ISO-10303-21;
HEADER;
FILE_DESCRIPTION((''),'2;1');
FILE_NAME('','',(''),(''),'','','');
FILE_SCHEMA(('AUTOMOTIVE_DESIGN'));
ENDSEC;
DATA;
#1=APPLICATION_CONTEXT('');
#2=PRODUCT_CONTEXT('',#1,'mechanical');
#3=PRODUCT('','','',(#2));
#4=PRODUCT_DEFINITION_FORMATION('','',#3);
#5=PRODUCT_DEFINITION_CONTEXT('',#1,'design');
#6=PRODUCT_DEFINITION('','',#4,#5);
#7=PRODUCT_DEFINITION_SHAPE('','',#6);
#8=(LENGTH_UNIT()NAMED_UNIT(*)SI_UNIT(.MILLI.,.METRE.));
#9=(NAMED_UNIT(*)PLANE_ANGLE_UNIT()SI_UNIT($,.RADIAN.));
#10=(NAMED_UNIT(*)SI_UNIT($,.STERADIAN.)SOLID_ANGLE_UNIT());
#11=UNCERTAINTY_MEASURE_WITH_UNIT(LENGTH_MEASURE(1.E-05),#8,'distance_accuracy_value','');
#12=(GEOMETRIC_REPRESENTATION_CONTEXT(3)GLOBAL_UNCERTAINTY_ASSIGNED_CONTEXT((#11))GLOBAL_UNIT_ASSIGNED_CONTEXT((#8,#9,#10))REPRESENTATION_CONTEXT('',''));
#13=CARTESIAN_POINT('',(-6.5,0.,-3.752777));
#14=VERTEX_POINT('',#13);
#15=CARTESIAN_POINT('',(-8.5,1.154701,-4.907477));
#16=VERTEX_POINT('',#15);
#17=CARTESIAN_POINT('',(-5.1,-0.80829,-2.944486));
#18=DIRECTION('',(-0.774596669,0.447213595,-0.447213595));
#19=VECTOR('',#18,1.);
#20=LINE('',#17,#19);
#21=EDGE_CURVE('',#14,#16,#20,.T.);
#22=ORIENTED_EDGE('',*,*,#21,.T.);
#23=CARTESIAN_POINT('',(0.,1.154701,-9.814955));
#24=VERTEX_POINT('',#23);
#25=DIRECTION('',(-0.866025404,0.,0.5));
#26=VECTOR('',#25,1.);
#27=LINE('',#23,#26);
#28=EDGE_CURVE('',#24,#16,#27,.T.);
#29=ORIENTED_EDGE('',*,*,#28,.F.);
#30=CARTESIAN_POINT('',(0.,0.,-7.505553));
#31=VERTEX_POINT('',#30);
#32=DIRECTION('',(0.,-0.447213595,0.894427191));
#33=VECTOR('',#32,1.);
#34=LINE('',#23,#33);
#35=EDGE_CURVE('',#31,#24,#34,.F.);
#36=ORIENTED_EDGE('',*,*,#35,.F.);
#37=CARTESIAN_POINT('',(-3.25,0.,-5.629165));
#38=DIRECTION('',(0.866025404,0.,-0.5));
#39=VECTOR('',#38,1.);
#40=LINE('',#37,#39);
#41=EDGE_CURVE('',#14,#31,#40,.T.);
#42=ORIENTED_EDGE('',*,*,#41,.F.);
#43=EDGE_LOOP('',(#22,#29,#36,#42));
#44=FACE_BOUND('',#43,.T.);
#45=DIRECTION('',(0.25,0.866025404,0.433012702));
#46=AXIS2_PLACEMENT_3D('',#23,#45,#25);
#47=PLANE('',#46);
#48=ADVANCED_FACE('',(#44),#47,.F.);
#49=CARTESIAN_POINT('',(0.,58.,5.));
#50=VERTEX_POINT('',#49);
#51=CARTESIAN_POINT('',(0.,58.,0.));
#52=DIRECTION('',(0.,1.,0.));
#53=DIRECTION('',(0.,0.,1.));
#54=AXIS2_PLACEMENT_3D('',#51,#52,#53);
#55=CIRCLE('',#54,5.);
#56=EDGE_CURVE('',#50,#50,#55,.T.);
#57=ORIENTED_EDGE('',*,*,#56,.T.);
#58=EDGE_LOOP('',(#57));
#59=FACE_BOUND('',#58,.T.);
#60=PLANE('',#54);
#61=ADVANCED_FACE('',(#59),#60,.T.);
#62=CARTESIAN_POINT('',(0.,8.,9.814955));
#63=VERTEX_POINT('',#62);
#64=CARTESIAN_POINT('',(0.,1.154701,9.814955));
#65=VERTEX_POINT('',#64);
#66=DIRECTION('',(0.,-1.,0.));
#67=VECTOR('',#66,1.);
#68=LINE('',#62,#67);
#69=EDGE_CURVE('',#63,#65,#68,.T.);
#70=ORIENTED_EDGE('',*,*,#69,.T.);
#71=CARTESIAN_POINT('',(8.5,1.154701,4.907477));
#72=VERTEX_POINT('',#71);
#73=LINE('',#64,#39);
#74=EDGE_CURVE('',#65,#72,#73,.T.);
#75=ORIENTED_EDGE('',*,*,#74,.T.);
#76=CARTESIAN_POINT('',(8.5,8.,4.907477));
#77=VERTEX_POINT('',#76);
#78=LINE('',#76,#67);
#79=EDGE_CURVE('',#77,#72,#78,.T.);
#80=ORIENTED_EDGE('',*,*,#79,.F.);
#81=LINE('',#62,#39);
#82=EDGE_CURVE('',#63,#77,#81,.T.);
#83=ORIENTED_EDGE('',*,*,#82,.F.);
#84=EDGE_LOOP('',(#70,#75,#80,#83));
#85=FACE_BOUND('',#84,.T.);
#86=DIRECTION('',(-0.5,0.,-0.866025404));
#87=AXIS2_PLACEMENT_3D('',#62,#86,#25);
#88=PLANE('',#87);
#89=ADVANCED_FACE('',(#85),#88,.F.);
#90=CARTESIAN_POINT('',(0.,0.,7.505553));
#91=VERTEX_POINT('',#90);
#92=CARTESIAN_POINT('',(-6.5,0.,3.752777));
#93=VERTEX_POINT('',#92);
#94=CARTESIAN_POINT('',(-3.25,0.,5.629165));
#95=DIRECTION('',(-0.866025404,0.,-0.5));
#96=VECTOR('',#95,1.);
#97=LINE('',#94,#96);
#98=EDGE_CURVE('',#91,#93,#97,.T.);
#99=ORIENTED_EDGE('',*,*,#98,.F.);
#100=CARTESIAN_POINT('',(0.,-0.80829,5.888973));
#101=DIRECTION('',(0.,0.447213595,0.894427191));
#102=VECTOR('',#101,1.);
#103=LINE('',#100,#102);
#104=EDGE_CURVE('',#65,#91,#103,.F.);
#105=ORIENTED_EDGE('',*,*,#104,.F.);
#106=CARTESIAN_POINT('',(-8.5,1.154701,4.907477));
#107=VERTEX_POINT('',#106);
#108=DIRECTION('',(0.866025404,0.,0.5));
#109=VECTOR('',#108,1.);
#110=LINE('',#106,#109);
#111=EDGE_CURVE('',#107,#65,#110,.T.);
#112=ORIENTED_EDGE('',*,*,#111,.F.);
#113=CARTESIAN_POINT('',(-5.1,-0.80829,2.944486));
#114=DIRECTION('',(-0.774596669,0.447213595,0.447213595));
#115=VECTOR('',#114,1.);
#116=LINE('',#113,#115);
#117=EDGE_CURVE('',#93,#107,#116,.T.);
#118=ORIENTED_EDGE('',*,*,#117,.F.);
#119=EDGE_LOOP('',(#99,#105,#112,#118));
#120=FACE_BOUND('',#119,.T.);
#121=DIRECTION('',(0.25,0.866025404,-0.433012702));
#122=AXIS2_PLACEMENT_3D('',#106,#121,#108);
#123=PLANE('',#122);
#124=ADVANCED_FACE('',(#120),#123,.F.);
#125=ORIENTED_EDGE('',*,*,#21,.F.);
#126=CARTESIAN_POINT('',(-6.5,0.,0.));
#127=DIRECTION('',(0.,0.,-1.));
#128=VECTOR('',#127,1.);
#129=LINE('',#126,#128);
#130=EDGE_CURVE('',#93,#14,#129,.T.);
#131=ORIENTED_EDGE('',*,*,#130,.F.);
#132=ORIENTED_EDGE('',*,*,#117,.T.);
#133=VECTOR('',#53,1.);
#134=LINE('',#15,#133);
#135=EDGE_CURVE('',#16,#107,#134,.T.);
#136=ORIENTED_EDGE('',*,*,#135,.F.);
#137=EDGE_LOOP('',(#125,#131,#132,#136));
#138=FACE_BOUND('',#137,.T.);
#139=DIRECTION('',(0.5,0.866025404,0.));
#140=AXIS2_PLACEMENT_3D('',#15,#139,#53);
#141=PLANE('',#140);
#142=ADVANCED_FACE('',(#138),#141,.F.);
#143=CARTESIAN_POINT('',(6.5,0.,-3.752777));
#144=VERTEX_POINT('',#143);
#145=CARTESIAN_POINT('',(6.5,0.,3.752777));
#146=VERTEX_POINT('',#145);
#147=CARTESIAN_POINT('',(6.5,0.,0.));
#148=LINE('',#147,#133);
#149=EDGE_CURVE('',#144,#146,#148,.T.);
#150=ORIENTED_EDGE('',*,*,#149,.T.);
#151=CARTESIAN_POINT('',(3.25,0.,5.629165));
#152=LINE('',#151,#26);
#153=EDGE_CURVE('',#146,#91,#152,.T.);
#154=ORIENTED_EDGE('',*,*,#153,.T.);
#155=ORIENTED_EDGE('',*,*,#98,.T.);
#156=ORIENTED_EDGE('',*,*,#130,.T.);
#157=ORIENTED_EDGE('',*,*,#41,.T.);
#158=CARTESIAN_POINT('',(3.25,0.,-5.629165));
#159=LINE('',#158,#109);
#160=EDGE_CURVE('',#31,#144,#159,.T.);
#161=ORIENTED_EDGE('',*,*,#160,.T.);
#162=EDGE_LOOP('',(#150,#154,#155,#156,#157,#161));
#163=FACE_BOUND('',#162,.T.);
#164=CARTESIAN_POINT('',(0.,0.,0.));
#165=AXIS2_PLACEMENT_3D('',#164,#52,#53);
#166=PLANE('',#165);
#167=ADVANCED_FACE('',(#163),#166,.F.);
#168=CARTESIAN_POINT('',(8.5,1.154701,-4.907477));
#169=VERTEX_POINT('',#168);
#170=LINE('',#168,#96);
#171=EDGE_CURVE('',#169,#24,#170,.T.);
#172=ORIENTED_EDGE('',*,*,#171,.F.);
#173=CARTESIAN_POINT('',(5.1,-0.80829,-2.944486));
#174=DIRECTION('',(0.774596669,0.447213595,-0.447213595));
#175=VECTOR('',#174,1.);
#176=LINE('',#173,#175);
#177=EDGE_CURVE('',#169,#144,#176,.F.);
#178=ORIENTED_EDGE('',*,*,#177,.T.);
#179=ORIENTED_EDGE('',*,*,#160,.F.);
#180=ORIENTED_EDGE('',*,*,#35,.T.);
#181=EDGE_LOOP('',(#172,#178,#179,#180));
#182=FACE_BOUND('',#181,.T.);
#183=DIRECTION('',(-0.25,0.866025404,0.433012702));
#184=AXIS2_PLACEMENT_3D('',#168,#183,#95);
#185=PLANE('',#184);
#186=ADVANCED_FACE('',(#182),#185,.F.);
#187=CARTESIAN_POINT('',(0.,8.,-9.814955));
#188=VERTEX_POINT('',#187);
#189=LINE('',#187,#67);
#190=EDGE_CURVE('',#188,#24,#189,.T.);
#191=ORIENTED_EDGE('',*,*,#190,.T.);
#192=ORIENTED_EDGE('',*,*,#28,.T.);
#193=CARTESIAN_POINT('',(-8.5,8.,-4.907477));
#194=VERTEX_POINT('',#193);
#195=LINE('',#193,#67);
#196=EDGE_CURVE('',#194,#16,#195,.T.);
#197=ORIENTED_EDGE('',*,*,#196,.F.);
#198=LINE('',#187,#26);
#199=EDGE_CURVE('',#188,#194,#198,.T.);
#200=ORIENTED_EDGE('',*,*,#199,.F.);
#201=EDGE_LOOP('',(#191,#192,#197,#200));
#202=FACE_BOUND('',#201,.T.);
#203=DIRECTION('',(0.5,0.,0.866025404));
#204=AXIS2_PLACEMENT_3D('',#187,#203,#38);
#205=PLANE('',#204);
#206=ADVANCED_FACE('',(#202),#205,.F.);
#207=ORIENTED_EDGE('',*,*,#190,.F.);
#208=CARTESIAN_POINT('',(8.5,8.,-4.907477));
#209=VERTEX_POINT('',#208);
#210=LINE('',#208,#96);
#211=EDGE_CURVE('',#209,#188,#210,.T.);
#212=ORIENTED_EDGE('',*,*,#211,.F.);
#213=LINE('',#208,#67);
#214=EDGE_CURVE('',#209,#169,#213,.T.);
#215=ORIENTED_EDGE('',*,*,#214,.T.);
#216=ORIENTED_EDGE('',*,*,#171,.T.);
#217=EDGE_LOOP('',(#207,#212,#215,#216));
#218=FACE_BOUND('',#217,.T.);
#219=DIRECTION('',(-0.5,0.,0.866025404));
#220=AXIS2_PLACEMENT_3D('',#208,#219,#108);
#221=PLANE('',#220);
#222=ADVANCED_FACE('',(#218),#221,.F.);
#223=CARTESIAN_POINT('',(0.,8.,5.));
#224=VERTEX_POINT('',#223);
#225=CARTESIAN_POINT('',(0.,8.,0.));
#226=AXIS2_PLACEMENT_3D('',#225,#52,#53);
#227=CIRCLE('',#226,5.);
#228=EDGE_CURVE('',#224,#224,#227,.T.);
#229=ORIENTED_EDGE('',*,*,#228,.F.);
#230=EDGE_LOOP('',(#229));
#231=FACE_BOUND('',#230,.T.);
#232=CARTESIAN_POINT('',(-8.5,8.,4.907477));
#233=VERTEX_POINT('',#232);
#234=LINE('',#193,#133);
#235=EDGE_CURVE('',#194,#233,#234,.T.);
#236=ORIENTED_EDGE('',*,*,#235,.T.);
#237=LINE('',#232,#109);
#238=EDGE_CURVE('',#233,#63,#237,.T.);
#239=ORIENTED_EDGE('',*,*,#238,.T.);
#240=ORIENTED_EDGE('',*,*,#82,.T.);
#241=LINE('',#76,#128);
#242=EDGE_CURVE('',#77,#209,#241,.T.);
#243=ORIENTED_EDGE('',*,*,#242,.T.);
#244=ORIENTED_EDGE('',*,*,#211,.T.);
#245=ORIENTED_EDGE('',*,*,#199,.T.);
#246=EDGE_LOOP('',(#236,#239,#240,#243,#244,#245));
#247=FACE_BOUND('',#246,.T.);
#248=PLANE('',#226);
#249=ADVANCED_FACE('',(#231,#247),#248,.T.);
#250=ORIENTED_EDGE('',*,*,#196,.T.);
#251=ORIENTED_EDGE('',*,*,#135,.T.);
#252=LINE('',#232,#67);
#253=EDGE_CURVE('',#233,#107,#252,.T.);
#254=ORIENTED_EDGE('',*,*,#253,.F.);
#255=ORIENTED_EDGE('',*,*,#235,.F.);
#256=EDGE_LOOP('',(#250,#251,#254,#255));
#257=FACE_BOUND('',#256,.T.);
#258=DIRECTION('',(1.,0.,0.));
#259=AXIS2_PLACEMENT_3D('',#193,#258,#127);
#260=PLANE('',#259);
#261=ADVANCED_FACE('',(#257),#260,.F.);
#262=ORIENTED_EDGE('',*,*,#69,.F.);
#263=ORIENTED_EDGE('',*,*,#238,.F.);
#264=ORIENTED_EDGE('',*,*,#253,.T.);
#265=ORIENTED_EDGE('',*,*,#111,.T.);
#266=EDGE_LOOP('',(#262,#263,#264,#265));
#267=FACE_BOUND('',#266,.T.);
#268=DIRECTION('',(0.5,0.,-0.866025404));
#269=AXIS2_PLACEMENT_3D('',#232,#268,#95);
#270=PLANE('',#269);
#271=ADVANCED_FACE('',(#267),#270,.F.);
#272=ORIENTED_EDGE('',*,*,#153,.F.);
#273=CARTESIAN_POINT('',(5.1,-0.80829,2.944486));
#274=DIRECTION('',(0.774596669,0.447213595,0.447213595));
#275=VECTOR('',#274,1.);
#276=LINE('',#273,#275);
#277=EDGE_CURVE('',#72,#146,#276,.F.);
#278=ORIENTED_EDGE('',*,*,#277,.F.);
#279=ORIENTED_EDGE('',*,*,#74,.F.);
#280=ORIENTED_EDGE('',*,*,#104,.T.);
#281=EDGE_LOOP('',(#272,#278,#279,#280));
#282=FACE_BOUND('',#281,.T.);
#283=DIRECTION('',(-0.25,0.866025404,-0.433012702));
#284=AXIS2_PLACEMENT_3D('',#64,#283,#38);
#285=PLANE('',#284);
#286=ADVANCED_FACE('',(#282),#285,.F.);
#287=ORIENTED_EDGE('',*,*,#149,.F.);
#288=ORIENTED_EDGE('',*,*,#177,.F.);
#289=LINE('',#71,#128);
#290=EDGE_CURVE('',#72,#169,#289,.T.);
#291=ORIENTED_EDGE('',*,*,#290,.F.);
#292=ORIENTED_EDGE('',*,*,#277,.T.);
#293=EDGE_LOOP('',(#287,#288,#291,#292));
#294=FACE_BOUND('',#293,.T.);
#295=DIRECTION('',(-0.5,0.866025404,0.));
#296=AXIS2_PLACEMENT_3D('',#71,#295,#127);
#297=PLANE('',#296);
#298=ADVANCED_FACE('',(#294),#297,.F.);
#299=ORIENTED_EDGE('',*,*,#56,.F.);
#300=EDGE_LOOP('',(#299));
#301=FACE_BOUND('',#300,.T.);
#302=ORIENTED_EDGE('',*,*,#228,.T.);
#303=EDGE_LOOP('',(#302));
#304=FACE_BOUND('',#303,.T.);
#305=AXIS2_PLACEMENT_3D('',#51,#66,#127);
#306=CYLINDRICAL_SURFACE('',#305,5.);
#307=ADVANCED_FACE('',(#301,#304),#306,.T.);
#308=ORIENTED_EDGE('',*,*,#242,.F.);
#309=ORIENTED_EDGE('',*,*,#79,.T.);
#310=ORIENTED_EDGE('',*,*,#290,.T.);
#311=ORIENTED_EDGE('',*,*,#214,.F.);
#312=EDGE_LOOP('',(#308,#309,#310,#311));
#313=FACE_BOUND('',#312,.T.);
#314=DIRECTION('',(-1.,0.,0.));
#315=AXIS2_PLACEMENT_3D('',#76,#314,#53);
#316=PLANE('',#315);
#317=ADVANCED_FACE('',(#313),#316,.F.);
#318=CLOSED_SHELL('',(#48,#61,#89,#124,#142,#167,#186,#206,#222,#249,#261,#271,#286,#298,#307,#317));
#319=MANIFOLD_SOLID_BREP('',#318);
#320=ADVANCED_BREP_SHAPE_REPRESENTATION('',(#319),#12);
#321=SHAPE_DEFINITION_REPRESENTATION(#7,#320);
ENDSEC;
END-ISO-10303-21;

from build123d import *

# Parameters (mm, degrees)
EXTRUDE_1_DEPTH = 8
SKETCH_2_R      = 5
EXTRUDE_2_DEPTH = 50
CHAMFER_1_SIZE  = 2
CHAMFER_1_SIZE2 = 1.154700538


with BuildPart() as part:
    # Эскиз1 → Бобышка-Вытянуть1 (new body)
    with BuildSketch(Plane(origin=(0, 0, 0), x_dir=(1, 0, 0), z_dir=(0, 1, 0))):
        Polygon((8.5, -4.907477288), (8.5, 4.907477288), (0, 9.814954576), (-8.5, 4.907477288), (-8.5, -4.907477288), (0, -9.814954576), align=None)
    extrude(amount=EXTRUDE_1_DEPTH)

    # Эскиз2 → Бобышка-Вытянуть2 (add)
    with BuildSketch(Plane(origin=(0, 8, 0), x_dir=(1, 0, 0), z_dir=(0, 1, 0))):
        Circle(SKETCH_2_R)
    extrude(amount=EXTRUDE_2_DEPTH)

    # Фаска1
    chamfer_1_edges = [part.edges().sort_by_distance(p)[0] for p in [
        (-4.25, 0, 7.361215932),
        (-8.5, 0, 0),
        (-4.25, 0, -7.361215932),
        (4.25, 0, -7.361215932),
        (8.5, 0, 0),
        (4.25, 0, 7.361215932),
    ]]
    chamfer_1_side = [part.faces().sort_by_distance(p)[0] for p in [
        (0, 0, 0),
    ]]
    chamfer(chamfer_1_edges, length=CHAMFER_1_SIZE, length2=CHAMFER_1_SIZE2, reference=chamfer_1_side[0])


solid = part.part
